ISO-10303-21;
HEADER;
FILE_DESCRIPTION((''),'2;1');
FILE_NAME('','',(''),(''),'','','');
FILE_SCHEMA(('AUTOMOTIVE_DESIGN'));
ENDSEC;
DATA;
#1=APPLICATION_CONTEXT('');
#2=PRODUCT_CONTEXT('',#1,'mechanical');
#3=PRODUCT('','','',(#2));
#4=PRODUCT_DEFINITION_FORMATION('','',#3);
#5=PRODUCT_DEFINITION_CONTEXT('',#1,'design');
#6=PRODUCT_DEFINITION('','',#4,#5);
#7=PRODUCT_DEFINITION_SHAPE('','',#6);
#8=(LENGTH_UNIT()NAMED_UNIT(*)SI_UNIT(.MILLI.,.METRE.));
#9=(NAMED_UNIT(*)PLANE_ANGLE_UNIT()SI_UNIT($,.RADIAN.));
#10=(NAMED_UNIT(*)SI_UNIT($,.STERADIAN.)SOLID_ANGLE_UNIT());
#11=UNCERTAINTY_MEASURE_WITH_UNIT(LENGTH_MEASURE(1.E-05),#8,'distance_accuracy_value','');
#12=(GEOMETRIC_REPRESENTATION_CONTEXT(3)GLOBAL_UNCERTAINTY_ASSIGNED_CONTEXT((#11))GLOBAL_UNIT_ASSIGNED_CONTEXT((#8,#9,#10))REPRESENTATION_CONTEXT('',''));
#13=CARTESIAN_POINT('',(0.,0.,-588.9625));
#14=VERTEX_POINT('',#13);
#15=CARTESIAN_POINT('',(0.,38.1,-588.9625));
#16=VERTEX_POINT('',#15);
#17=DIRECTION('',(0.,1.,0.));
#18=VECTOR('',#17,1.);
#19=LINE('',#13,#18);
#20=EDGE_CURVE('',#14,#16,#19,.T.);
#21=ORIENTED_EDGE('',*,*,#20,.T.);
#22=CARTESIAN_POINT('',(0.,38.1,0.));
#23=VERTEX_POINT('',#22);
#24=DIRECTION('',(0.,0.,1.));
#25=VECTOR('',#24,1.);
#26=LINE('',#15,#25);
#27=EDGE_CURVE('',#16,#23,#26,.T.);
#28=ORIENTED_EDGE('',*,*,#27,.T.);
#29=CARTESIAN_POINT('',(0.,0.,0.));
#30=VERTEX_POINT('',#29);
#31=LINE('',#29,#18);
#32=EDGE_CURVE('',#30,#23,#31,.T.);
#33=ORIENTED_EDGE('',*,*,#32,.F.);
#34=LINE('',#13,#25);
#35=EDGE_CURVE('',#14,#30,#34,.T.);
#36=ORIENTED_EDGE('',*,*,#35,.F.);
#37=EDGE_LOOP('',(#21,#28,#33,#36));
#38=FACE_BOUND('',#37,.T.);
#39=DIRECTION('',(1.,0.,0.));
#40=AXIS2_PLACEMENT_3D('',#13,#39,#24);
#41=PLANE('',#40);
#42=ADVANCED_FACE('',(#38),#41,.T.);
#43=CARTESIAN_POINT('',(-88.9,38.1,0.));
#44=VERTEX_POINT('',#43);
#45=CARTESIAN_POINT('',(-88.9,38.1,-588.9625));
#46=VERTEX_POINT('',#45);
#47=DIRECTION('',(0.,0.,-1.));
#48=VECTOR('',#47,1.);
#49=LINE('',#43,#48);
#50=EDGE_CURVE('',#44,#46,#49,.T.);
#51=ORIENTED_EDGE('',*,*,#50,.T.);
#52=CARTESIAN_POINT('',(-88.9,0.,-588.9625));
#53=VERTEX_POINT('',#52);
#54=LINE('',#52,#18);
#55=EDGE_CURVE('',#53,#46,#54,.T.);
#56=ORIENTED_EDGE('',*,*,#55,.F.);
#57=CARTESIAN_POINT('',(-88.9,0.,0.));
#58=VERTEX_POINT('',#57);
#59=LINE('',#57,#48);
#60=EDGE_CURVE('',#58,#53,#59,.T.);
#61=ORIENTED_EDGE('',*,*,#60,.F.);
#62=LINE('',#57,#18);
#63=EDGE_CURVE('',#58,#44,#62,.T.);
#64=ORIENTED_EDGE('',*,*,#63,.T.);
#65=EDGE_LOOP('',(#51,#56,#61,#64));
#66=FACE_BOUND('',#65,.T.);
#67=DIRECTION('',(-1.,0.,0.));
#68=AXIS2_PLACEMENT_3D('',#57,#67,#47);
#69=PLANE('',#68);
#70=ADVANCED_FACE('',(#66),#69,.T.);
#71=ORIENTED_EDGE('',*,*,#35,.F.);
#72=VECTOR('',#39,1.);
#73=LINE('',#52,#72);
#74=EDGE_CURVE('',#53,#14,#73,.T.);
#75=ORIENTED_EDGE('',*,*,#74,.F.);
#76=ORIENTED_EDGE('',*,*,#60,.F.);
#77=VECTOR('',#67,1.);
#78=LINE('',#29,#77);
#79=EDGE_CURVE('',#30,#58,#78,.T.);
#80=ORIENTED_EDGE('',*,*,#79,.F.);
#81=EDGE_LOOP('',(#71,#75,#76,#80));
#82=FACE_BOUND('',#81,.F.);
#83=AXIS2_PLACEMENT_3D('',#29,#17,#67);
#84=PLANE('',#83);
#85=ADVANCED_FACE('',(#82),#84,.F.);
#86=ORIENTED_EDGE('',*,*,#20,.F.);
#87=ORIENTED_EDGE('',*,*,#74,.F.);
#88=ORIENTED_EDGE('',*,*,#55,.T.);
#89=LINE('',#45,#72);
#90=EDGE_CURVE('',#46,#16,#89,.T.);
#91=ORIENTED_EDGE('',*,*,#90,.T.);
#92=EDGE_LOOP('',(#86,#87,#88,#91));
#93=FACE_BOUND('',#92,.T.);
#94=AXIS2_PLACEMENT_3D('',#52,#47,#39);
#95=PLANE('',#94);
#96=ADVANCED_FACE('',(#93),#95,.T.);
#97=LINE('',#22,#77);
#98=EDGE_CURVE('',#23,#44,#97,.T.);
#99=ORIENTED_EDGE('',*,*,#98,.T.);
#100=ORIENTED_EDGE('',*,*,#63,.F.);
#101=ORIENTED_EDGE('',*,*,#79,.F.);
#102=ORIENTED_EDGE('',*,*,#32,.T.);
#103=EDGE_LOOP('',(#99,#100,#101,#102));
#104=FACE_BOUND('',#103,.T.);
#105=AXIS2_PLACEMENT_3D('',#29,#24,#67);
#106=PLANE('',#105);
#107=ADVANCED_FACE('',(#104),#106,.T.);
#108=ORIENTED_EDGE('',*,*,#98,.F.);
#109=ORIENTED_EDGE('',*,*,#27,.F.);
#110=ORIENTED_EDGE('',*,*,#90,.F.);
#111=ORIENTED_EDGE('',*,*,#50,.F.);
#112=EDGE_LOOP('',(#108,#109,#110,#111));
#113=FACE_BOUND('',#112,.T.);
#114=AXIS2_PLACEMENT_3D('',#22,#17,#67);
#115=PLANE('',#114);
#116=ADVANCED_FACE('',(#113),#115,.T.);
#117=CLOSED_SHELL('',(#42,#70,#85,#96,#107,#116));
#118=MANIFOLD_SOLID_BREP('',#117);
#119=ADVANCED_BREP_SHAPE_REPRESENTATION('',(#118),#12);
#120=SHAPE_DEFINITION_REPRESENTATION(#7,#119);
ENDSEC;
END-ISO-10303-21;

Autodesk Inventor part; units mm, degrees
ref_plane "YZ Plane" through (0, 0, 0) normal (1, 0, 0) x (0, 1, 0)
ref_plane "XZ Plane" through (0, 0, 0) normal (0, 1, 0) x (-1, 0, 0)
ref_plane "XY Plane" through (0, 0, 0) normal (0, 0, 1) x (1, 0, 0)
sketch "Sketch1" plane through (0, 0, 0) normal (0, 1, 0) x (-1, 0, 0)
  line L0 (0, 0) -> (88.9, 0)
  line L1 (88.9, 0) -> (88.9, -588.9625)
  line L2 (88.9, -588.9625) -> (0, -588.9625)
  line L3 (0, -588.9625) -> (0, 0)
  dimension "d1" = 88.9
  dimension "d4" = 588.9625
extrude "Extrusion1" add sketch "Sketch1" along normal blind 38.1
properties part number "Plate_With_Length_25_Inches" material "Wood (Birch)"
